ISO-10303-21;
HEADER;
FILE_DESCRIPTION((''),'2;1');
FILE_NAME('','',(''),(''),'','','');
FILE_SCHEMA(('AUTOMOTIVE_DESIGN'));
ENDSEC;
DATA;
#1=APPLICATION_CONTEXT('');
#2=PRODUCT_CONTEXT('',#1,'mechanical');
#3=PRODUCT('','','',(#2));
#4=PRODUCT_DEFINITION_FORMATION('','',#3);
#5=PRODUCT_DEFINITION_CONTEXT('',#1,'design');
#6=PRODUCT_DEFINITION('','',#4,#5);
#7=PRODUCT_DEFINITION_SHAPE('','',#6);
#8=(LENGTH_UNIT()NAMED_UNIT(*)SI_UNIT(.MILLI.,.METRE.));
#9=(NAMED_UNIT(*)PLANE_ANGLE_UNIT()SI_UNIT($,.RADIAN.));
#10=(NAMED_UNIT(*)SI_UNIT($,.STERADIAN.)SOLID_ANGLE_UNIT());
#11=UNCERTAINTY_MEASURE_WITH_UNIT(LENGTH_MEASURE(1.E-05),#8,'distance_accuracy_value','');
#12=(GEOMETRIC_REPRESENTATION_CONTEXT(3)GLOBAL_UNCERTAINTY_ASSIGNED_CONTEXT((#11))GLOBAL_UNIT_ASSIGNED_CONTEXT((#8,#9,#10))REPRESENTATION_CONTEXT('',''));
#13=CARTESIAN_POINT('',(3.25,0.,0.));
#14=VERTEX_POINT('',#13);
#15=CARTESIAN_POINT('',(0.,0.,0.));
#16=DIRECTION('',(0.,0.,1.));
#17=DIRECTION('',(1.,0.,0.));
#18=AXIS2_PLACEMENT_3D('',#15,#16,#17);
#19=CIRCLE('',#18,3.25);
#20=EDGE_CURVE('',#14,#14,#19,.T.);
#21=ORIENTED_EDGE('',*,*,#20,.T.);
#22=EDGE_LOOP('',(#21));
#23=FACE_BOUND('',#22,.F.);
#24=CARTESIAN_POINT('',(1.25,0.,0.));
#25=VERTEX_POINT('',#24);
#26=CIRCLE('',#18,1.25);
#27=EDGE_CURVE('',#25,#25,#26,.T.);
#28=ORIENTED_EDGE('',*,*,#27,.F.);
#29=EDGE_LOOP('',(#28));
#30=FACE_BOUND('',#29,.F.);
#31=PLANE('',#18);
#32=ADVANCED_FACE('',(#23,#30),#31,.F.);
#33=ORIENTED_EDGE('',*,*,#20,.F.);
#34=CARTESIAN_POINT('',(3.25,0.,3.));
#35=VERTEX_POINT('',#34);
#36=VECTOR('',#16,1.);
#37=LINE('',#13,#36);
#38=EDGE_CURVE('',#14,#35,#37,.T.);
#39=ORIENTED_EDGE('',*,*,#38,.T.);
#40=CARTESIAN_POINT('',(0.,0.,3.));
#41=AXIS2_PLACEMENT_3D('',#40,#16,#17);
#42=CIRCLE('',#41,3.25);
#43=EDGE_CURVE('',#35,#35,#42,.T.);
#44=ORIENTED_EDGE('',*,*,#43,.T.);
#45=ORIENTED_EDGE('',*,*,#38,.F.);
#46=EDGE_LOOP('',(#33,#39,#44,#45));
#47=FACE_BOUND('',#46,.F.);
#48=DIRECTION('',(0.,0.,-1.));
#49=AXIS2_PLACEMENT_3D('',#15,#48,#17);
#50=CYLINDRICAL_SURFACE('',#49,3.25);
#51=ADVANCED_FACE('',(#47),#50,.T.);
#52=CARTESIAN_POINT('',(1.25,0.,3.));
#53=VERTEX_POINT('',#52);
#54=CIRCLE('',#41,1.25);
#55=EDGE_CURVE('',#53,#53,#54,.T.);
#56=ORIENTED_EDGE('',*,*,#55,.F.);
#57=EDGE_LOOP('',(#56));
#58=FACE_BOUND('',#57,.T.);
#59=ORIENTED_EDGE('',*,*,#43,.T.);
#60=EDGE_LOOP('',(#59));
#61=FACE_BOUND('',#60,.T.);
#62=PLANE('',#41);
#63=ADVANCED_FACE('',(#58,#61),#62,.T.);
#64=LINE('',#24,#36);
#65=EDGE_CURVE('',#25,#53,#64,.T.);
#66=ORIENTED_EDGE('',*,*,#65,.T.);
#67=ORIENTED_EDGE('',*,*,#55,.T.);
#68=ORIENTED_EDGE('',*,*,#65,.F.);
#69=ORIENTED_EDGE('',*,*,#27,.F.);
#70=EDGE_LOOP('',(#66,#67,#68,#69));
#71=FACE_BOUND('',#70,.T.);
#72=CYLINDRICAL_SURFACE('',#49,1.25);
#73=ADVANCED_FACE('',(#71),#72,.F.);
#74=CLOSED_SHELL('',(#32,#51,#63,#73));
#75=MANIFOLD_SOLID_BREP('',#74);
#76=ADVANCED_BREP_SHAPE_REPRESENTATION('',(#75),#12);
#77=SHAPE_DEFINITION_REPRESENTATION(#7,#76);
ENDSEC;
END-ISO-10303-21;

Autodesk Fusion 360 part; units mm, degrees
sketch "Sketch1" plane through (0, 0, 0) normal (0, 0, 1) x (1, 0, 0)
  circle A0 centre (0, 0) radius 1.25
  circle A1 centre (0, 0) radius 3.25
  dimension "d1" = 2.5
  dimension "d2" = 2
extrude "Extrude1" add sketch "Sketch1" along normal blind 3
